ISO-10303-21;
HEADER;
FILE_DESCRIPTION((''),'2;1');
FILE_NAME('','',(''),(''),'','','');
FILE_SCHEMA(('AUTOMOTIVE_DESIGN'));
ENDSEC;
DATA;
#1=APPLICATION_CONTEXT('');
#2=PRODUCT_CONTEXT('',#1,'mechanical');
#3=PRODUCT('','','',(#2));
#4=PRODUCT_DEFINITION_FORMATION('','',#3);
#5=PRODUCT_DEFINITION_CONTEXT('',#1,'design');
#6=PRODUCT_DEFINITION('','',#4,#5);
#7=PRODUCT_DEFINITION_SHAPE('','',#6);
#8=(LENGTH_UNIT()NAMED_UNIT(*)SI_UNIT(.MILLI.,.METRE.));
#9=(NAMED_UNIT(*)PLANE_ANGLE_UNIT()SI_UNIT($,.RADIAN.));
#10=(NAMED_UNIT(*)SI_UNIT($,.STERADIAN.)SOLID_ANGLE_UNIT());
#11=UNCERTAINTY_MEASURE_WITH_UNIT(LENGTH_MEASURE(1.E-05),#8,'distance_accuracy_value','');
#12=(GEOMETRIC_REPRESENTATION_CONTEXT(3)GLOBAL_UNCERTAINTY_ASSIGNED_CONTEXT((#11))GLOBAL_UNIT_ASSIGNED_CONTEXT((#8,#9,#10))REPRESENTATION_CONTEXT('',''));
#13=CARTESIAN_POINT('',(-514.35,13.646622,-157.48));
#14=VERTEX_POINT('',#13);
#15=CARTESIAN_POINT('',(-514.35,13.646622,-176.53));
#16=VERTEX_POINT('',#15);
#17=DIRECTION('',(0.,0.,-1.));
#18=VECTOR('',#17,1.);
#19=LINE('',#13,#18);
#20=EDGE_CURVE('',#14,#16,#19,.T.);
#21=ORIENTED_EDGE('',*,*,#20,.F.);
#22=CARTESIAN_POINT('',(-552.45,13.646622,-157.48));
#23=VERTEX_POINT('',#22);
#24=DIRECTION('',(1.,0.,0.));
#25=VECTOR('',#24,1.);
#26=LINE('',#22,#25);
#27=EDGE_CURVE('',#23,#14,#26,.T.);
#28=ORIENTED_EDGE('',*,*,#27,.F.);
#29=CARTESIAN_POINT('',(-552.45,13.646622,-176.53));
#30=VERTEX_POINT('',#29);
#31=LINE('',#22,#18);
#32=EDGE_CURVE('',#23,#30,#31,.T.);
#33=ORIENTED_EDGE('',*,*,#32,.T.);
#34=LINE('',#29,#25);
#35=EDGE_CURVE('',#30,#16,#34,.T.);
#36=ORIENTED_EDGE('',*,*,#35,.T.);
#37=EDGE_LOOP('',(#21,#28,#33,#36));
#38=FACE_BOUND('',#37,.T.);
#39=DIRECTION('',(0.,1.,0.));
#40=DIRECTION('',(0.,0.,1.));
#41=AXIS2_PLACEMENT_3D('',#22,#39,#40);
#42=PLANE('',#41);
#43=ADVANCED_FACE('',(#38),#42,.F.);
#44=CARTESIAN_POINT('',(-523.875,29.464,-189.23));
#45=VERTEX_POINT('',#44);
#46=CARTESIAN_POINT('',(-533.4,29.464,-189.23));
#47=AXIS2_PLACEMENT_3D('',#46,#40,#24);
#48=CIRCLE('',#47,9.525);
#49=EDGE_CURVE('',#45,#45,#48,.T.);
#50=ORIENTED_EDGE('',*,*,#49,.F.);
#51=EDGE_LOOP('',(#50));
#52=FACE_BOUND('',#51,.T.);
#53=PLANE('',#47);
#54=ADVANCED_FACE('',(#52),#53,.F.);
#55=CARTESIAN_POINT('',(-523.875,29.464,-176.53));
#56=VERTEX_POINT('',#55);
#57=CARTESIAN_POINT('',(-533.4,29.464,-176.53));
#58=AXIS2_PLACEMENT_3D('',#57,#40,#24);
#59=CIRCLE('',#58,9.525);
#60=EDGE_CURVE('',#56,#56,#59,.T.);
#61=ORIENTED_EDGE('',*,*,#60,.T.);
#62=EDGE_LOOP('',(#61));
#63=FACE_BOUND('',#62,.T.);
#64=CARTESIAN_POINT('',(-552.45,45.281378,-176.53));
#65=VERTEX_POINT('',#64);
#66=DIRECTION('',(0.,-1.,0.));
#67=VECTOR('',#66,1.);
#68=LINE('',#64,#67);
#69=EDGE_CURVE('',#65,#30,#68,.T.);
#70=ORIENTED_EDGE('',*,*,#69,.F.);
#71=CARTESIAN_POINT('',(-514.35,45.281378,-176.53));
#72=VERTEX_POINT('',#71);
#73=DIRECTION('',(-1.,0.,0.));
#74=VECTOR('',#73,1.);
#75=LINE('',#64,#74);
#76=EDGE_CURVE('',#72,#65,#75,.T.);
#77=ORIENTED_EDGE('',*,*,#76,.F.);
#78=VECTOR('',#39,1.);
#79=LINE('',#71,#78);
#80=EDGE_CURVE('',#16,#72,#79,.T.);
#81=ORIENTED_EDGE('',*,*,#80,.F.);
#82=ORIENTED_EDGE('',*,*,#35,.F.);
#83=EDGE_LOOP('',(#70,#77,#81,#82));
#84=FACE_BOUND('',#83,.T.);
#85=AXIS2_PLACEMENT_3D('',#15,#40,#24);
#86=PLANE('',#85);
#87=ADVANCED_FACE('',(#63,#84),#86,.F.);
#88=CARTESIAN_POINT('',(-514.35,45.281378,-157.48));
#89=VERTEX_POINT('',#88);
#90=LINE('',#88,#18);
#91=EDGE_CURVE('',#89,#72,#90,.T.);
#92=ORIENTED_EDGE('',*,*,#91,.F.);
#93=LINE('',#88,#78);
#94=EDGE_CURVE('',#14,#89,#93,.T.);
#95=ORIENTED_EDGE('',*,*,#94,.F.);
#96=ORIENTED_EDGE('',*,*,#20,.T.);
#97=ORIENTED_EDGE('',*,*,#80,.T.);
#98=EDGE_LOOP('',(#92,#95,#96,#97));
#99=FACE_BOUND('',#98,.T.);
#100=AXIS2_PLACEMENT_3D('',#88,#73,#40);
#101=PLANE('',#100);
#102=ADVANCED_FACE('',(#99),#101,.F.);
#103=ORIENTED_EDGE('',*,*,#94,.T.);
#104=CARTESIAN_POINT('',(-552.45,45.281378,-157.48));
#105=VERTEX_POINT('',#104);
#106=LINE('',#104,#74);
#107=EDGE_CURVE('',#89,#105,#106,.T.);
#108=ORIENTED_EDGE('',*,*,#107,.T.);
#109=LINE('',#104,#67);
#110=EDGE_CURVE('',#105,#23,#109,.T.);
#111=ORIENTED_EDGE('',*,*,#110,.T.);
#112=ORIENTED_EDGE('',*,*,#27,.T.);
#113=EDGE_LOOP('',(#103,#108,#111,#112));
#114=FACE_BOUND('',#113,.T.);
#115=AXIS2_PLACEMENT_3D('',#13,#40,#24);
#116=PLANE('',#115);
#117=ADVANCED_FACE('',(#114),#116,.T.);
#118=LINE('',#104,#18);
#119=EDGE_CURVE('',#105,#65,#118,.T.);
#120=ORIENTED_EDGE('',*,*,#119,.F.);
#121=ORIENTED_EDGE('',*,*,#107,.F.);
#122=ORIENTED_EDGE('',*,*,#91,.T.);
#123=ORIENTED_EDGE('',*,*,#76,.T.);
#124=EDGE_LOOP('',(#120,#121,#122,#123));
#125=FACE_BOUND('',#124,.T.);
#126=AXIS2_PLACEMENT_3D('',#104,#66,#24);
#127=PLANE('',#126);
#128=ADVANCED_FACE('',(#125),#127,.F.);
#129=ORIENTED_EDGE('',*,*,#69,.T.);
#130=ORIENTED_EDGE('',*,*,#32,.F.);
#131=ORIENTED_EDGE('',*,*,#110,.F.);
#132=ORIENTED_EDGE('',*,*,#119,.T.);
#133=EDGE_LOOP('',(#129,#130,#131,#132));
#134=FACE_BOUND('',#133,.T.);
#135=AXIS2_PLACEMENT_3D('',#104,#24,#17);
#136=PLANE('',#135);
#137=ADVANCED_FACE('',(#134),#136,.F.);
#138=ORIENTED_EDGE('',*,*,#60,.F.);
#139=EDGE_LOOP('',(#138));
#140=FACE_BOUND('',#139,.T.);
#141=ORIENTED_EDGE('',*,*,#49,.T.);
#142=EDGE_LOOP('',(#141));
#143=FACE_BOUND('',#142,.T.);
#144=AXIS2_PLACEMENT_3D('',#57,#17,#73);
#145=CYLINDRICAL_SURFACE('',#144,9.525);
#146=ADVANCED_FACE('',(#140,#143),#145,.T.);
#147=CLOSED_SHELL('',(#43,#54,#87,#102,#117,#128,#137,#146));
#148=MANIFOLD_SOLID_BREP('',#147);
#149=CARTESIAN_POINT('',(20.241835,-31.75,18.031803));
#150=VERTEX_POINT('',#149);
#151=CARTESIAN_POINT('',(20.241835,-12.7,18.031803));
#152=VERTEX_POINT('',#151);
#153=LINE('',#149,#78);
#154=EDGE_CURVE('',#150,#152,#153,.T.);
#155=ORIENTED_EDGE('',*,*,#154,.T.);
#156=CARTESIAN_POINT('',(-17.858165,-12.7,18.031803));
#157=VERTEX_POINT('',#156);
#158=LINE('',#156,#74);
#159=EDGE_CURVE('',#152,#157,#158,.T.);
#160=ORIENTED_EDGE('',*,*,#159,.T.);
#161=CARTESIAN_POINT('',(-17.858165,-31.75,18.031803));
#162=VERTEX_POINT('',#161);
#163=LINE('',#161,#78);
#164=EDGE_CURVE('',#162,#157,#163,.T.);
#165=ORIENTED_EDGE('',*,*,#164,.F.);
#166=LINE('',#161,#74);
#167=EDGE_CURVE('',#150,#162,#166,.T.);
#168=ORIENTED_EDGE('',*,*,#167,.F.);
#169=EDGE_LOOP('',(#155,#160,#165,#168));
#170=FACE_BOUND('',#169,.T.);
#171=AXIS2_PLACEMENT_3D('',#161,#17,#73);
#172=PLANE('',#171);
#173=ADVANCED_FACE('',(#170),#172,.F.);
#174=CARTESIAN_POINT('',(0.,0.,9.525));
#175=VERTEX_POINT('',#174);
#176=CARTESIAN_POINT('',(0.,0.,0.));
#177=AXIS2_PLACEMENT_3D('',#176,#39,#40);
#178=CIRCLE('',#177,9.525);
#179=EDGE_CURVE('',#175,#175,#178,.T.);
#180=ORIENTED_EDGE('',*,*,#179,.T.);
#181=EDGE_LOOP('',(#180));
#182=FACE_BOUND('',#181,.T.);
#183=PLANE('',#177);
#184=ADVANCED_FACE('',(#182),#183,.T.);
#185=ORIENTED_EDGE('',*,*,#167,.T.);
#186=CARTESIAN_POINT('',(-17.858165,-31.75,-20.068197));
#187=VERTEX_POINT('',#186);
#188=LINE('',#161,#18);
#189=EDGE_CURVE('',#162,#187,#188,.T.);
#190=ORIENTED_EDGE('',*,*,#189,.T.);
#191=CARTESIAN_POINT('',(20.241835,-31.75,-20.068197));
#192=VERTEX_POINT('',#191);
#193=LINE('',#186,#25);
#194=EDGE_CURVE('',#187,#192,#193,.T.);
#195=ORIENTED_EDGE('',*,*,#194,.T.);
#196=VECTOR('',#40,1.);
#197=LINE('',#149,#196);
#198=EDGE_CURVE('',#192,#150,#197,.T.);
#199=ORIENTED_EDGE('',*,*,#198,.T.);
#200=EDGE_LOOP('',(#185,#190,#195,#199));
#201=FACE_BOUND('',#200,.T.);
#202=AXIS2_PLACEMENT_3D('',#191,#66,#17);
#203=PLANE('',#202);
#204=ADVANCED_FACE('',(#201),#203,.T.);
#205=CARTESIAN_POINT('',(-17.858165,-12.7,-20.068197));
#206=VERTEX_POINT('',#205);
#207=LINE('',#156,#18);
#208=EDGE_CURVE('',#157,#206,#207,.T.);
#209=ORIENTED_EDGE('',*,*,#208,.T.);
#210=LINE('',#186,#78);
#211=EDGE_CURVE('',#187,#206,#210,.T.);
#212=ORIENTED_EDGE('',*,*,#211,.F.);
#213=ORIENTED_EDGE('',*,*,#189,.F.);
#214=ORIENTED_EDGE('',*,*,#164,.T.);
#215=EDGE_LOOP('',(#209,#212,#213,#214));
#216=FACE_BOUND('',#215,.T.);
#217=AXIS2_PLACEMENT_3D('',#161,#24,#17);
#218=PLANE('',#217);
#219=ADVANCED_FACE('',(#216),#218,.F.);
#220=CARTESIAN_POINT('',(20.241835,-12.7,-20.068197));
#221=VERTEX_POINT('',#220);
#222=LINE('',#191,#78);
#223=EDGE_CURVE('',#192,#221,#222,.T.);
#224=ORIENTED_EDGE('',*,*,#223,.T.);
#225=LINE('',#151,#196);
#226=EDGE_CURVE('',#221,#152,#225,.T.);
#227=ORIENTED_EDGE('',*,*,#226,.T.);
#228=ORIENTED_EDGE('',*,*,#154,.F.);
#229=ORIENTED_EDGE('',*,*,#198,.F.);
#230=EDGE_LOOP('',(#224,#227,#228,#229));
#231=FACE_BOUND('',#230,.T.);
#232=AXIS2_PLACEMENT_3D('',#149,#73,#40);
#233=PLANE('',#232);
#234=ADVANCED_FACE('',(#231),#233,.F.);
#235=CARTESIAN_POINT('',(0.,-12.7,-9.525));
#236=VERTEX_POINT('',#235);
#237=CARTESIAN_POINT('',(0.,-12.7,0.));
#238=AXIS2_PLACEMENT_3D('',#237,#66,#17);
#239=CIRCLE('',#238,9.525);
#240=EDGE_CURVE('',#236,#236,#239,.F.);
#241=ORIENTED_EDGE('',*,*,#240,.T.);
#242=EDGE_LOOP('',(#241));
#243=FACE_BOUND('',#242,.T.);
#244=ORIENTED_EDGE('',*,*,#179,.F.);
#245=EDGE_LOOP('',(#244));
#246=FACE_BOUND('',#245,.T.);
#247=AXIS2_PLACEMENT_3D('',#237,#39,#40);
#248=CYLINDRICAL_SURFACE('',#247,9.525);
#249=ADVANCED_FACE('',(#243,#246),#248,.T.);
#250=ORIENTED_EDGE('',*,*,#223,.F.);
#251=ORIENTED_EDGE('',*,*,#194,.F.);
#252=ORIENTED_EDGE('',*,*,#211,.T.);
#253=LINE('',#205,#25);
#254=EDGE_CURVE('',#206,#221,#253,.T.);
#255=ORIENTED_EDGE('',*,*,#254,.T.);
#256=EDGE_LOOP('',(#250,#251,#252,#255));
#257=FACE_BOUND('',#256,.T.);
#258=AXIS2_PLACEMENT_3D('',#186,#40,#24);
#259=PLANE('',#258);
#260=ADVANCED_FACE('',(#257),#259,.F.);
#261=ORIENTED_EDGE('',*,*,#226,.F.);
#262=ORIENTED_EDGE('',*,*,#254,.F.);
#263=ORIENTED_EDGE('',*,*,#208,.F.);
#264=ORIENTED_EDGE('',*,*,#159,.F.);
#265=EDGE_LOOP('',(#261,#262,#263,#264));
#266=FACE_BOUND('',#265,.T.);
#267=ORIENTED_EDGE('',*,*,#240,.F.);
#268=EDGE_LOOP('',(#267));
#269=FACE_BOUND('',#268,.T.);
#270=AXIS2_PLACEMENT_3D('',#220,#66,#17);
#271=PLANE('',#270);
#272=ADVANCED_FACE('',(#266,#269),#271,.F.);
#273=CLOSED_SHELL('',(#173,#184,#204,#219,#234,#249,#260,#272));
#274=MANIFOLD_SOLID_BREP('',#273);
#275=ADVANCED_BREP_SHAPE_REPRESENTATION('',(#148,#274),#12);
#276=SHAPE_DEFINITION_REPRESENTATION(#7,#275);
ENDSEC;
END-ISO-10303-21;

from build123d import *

# Parameters (mm, degrees)
SKETCH1_R      = 9.525
EXTRUDE1_DEPTH = 12.7
SKETCH2_W      = 38.1
SKETCH2_H      = 38.1
EXTRUDE2_DEPTH = 19.05
SKETCH3_R      = 9.525
EXTRUDE3_DEPTH = 12.7
SKETCH4_W      = 38.1
SKETCH4_H      = 31.634756462
EXTRUDE4_DEPTH = 19.05


with BuildPart() as part:
    # Sketch1 → Extrude1 (new body)
    with BuildSketch(Plane(origin=(0, 0, 0), x_dir=(1, 0, 0), z_dir=(0, 1, 0))):
        with Locations(Location((0, 0, 0), (0, 0, 270))):
            Circle(SKETCH1_R)
    extrude(amount=-EXTRUDE1_DEPTH)

    # Sketch2 → Extrude2 (add)
    with BuildSketch(Plane.XZ.offset(12.7)):
        with Locations((1.191835115, -1.018196851)):
            Rectangle(SKETCH2_W, SKETCH2_H)
    extrude(amount=EXTRUDE2_DEPTH)


with BuildPart() as body_2:
    # Sketch3 → Extrude3 (new body)
    with BuildSketch(Plane.XY.offset(-189.23)):
        with Locations((-533.4, 29.464)):
            Circle(SKETCH3_R)
    extrude(amount=EXTRUDE3_DEPTH)

    # Sketch4 → Extrude4 (add)
    with BuildSketch(Plane.XY.offset(-176.53)):
        with Locations((-533.4, 29.464)):
            Rectangle(SKETCH4_W, SKETCH4_H)
    extrude(amount=EXTRUDE4_DEPTH)


solid = Compound([part.part, body_2.part])
